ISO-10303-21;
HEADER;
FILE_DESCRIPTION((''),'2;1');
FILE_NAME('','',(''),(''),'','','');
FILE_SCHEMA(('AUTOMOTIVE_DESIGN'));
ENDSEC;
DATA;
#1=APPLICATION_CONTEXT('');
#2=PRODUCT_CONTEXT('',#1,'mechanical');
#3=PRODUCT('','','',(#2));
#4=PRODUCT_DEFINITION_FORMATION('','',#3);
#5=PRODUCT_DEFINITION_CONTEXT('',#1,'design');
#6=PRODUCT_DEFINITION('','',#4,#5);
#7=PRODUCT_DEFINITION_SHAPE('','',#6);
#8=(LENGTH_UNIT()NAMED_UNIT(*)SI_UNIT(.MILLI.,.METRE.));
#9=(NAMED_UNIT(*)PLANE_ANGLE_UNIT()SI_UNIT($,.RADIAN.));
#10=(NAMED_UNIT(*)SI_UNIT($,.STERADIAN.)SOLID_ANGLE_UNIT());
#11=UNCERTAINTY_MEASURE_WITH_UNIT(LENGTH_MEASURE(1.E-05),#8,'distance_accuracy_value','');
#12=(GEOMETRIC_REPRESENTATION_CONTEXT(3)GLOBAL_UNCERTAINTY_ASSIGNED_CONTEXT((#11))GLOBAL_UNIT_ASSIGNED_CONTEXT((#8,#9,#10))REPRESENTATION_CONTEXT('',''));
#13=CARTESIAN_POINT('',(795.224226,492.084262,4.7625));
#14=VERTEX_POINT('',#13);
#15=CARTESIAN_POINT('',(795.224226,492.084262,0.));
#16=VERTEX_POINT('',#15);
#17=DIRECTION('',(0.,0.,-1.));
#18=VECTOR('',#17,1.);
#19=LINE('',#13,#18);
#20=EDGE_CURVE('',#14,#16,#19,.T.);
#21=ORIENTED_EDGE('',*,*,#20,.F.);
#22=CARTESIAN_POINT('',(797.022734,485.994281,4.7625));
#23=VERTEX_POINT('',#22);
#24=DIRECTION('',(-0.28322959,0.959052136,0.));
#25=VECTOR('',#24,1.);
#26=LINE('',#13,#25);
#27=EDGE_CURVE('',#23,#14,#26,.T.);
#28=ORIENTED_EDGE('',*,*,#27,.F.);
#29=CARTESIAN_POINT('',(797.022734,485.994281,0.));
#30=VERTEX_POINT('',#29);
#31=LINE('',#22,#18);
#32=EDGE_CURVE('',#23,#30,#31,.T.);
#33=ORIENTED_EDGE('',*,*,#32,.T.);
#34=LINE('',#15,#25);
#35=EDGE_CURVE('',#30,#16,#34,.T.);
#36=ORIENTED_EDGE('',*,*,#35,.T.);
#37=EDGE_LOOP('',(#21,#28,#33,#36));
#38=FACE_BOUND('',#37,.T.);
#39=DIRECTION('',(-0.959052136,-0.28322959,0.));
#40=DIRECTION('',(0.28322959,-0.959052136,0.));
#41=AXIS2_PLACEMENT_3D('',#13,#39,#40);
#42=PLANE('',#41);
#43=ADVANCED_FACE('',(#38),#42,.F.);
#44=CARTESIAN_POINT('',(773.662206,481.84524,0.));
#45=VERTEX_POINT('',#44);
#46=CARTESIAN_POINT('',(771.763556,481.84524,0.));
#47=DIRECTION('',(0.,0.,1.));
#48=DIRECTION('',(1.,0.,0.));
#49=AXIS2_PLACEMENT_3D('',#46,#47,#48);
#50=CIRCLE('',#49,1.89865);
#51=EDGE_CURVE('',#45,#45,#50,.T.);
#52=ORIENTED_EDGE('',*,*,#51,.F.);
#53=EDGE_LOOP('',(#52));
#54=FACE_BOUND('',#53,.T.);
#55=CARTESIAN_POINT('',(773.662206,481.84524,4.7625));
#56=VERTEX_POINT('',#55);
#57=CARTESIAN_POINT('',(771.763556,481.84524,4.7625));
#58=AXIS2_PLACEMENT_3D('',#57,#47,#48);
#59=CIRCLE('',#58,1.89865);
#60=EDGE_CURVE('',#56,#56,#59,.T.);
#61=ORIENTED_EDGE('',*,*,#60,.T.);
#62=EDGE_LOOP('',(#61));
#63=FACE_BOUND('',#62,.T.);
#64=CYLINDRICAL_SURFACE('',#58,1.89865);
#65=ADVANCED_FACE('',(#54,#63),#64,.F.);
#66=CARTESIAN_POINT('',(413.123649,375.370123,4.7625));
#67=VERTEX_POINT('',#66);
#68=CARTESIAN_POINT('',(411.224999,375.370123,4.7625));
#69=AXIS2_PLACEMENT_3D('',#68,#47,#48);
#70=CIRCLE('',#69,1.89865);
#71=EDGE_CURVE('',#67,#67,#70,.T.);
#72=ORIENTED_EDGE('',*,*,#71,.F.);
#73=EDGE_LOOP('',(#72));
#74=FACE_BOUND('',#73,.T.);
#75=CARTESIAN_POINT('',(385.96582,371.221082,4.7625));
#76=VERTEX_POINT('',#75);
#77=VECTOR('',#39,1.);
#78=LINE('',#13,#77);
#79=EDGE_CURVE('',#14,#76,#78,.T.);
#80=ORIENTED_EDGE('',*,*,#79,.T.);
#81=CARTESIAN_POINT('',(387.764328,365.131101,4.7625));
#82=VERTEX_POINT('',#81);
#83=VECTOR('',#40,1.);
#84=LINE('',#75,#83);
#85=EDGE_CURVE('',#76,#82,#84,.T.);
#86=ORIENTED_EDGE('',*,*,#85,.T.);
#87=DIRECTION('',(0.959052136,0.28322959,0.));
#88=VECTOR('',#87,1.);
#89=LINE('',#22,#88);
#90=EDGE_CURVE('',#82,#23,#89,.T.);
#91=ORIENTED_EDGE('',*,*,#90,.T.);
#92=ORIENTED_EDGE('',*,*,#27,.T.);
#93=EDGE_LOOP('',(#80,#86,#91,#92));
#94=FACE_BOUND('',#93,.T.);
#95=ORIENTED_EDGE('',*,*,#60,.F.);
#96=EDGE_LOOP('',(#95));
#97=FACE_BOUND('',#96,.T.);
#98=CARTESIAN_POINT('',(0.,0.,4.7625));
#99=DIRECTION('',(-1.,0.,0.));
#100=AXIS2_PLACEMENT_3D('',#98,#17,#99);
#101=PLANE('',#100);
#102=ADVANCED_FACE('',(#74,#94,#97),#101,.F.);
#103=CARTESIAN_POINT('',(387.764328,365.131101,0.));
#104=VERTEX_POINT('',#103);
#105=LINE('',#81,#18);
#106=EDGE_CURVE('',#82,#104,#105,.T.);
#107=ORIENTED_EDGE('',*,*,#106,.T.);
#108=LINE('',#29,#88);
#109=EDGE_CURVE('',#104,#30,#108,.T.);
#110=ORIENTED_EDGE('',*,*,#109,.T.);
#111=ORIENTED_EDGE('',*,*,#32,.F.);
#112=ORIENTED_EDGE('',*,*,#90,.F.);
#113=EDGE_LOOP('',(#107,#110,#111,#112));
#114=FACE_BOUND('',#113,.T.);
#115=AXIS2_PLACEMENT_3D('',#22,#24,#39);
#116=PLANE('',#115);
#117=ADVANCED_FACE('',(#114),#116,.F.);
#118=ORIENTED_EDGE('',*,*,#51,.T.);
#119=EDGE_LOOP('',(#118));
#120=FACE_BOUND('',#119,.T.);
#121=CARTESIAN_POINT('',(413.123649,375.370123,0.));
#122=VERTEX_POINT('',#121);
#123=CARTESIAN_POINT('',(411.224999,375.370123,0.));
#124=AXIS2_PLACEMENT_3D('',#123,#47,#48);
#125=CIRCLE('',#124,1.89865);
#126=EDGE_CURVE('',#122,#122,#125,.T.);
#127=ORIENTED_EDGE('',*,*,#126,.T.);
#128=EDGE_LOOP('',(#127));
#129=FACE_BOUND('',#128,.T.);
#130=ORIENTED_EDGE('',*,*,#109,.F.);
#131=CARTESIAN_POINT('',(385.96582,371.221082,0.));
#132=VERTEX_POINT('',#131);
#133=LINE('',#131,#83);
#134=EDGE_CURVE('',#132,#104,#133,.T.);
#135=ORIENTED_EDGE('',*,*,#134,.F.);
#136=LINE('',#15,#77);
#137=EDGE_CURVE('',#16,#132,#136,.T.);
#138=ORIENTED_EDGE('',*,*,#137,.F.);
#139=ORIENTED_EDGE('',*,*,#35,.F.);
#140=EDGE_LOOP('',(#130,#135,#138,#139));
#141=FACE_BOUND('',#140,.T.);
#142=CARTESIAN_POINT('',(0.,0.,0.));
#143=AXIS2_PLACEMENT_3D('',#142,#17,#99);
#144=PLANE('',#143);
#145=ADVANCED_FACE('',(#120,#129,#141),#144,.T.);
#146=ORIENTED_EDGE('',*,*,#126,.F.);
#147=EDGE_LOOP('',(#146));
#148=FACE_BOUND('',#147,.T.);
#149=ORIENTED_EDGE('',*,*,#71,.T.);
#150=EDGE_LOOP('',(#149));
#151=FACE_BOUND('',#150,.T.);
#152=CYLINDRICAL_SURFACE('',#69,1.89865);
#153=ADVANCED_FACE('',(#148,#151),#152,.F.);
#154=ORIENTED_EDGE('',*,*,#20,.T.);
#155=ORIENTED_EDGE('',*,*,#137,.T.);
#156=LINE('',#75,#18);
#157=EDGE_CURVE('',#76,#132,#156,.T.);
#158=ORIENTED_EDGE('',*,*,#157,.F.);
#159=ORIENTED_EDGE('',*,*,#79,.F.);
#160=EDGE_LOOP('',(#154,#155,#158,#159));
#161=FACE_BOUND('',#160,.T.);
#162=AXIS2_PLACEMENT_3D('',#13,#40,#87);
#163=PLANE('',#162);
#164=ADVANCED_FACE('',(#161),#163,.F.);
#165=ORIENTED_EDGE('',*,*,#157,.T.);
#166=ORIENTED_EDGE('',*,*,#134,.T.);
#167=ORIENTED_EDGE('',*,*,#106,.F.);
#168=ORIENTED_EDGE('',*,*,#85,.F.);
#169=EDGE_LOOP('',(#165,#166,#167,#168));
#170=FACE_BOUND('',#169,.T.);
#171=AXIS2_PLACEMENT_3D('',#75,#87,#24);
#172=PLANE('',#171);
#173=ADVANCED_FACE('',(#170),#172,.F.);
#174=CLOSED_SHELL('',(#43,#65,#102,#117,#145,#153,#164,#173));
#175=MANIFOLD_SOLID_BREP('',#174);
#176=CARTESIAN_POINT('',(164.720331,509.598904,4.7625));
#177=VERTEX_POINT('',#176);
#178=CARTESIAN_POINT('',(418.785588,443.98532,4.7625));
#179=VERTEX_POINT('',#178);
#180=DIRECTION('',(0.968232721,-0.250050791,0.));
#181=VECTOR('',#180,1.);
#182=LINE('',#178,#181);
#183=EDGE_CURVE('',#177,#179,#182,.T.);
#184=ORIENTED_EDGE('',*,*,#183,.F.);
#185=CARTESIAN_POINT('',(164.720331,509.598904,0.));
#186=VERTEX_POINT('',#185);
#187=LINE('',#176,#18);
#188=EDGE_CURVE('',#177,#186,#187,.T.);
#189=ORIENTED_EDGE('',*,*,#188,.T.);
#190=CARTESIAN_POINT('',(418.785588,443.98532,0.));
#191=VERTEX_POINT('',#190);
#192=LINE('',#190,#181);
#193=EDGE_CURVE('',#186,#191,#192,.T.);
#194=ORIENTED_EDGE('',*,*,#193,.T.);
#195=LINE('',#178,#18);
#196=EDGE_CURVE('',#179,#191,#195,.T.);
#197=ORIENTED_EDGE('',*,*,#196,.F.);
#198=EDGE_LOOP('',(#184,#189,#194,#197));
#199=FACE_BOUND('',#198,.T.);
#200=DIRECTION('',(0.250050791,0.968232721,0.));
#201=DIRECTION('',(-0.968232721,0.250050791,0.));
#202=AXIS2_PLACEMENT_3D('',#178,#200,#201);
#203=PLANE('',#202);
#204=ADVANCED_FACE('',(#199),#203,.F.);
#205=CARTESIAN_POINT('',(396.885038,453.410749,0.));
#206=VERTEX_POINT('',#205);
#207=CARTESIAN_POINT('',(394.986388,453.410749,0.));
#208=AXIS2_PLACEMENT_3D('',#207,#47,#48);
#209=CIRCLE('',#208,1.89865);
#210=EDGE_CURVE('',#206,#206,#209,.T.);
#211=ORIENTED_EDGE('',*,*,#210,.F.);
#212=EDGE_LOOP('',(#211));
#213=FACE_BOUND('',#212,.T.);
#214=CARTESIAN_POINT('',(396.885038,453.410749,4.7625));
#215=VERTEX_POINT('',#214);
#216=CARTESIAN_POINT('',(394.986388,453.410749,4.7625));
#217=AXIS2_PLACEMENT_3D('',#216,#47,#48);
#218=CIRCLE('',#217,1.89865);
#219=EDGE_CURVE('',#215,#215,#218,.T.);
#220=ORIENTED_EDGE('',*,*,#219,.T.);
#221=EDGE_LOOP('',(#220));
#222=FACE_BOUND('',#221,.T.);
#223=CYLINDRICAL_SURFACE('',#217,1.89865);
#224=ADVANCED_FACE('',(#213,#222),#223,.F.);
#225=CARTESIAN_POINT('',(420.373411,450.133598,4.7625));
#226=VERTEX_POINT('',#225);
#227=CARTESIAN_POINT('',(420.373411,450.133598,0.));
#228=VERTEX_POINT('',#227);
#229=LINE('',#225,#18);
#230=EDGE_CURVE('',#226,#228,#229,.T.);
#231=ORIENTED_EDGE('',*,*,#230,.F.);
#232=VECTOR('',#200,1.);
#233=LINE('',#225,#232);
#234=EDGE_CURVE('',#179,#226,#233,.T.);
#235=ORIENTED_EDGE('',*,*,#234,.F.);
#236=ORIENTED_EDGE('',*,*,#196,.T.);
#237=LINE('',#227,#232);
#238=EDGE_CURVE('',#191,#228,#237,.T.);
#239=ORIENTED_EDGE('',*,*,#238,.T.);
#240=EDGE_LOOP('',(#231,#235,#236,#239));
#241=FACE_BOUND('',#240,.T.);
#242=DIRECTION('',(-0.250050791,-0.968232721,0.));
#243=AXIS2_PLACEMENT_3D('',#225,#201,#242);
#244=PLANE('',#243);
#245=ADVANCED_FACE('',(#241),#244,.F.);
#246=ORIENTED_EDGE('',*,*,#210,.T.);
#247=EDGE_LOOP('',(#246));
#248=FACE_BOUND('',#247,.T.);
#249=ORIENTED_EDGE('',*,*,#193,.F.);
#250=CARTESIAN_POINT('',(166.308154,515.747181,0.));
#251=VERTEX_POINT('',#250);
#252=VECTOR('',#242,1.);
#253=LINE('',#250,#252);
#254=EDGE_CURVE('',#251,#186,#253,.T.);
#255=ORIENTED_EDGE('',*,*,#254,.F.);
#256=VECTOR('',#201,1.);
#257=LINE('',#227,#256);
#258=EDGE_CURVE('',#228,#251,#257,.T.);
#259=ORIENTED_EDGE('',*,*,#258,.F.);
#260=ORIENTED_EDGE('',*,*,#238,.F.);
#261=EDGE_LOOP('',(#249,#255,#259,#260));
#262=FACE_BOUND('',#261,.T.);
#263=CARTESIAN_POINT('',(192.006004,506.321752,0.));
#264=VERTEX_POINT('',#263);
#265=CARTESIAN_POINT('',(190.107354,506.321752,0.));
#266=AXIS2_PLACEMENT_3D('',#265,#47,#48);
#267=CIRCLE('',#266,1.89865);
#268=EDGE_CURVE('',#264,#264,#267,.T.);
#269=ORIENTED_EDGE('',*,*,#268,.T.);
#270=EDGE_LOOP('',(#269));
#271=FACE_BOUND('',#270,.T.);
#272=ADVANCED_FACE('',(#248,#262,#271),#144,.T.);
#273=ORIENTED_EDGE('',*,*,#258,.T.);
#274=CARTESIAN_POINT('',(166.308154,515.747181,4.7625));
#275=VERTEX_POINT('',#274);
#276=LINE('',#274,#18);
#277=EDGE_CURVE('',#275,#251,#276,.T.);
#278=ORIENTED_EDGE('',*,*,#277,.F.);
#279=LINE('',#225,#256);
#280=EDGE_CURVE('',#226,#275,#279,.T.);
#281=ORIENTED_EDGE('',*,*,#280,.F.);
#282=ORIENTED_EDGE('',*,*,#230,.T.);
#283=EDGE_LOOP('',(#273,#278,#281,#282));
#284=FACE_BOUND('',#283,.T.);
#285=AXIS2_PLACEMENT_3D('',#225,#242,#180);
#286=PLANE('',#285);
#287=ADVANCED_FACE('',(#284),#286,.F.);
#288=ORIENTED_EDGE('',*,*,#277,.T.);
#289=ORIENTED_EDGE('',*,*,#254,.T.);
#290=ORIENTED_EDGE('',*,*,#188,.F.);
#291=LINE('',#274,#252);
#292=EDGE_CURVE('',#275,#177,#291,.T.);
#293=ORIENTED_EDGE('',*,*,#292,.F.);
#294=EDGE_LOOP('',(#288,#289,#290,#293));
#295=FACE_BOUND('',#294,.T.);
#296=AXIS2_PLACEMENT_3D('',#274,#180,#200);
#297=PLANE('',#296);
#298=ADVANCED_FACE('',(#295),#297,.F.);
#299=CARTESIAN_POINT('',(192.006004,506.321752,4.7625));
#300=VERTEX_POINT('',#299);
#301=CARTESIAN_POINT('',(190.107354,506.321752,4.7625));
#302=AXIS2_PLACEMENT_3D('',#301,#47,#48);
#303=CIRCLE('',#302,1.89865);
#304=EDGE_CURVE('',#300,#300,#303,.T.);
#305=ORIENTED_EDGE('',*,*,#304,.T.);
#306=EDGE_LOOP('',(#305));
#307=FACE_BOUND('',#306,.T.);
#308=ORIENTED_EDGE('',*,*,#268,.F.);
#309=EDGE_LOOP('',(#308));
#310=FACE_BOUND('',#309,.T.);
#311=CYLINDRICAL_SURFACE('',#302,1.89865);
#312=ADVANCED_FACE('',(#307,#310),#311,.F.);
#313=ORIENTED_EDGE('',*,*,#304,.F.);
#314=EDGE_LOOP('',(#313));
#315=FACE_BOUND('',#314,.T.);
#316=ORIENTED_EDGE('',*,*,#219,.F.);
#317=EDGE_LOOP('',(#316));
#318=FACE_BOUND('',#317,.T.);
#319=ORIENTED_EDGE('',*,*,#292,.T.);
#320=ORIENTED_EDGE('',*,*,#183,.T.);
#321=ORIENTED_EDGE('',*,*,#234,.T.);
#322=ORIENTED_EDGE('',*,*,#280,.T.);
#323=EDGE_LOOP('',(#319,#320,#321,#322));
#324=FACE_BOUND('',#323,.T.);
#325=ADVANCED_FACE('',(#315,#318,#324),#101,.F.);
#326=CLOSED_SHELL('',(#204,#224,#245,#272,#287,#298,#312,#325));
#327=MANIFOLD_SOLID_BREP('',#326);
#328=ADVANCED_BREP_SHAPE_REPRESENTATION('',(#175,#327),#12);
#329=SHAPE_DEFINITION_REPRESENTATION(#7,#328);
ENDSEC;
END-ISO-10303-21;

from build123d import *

# Parameters (mm, degrees)
BOSS_EXTRUDE1_DEPTH            = 4.7625
BOSS_EXTRUDE1_2_DEPTH          = 4.7625
SKETCH6_W                      = 1.89865
SKETCH6_H                      = 4.7625
F_6_CLEARANCE_HOLE1_AT_2_COUNT = 2
F_6_CLEARANCE_HOLE1_AT_2_PITCH = 377.84858633
F_6_CLEARANCE_HOLE1_AT_3_COUNT = 2
F_6_CLEARANCE_HOLE1_AT_3_PITCH = 582.170968688
F_6_CLEARANCE_HOLE1_AT_4_COUNT = 2
F_6_CLEARANCE_HOLE1_AT_4_PITCH = 375.932176835


with BuildPart() as part:
    # Sketch4 → Boss-Extrude1 (new body)
    with BuildSketch(Plane.XY):
        Polygon((420.373410583, 450.13359804), (166.308154013, 515.747181299), (164.720331493, 509.598903521), (418.785588063, 443.985320261), align=None)
    extrude(amount=BOSS_EXTRUDE1_DEPTH)


with BuildPart() as body_2:
    # Sketch4 → Boss-Extrude1 2 (new body)
    with BuildSketch(Plane.XY):
        Polygon((795.224225991, 492.084261956), (385.965820385, 371.221082339), (387.764328284, 365.131101277), (797.022733889, 485.994280894), align=None)
    extrude(amount=BOSS_EXTRUDE1_2_DEPTH)

    # Sketch6 → #6 Clearance Hole1 (revolve, cut)
    with BuildSketch(Plane(origin=(771.763555691, 481.845239831, 4.7625), x_dir=(0, -1, 0), z_dir=(1, 0, 0))):
        with Locations((0.949325, 2.38125)):
            Rectangle(SKETCH6_W, SKETCH6_H)
    f_6_clearance_hole1 = revolve(axis=Axis((771.763555691, 481.845239831, 11.1125), (0, 0, -1)), mode=Mode.SUBTRACT)

    # #6 Clearance Hole1 at 4: #6 Clearance Hole1 ×2
    with Locations(*[Vector(-0.959052136, -0.28322959, 0) * (i * F_6_CLEARANCE_HOLE1_AT_4_PITCH) for i in range(1, F_6_CLEARANCE_HOLE1_AT_4_COUNT)]):
        add(f_6_clearance_hole1, mode=Mode.SUBTRACT)


with BuildPart() as part_1:
    add(part.part)

    # #6 Clearance Hole1 at 2: #6 Clearance Hole1 ×2
    with Locations(*[Vector(-0.997164423, -0.075253664, 0) * (i * F_6_CLEARANCE_HOLE1_AT_2_PITCH) for i in range(1, F_6_CLEARANCE_HOLE1_AT_2_COUNT)]):
        add(f_6_clearance_hole1, mode=Mode.SUBTRACT)

    # #6 Clearance Hole1 at 3: #6 Clearance Hole1 ×2
    with Locations(*[Vector(-0.999115781, 0.042043513, 0) * (i * F_6_CLEARANCE_HOLE1_AT_3_PITCH) for i in range(1, F_6_CLEARANCE_HOLE1_AT_3_COUNT)]):
        add(f_6_clearance_hole1, mode=Mode.SUBTRACT)


solid = Compound([body_2.part, part_1.part])
